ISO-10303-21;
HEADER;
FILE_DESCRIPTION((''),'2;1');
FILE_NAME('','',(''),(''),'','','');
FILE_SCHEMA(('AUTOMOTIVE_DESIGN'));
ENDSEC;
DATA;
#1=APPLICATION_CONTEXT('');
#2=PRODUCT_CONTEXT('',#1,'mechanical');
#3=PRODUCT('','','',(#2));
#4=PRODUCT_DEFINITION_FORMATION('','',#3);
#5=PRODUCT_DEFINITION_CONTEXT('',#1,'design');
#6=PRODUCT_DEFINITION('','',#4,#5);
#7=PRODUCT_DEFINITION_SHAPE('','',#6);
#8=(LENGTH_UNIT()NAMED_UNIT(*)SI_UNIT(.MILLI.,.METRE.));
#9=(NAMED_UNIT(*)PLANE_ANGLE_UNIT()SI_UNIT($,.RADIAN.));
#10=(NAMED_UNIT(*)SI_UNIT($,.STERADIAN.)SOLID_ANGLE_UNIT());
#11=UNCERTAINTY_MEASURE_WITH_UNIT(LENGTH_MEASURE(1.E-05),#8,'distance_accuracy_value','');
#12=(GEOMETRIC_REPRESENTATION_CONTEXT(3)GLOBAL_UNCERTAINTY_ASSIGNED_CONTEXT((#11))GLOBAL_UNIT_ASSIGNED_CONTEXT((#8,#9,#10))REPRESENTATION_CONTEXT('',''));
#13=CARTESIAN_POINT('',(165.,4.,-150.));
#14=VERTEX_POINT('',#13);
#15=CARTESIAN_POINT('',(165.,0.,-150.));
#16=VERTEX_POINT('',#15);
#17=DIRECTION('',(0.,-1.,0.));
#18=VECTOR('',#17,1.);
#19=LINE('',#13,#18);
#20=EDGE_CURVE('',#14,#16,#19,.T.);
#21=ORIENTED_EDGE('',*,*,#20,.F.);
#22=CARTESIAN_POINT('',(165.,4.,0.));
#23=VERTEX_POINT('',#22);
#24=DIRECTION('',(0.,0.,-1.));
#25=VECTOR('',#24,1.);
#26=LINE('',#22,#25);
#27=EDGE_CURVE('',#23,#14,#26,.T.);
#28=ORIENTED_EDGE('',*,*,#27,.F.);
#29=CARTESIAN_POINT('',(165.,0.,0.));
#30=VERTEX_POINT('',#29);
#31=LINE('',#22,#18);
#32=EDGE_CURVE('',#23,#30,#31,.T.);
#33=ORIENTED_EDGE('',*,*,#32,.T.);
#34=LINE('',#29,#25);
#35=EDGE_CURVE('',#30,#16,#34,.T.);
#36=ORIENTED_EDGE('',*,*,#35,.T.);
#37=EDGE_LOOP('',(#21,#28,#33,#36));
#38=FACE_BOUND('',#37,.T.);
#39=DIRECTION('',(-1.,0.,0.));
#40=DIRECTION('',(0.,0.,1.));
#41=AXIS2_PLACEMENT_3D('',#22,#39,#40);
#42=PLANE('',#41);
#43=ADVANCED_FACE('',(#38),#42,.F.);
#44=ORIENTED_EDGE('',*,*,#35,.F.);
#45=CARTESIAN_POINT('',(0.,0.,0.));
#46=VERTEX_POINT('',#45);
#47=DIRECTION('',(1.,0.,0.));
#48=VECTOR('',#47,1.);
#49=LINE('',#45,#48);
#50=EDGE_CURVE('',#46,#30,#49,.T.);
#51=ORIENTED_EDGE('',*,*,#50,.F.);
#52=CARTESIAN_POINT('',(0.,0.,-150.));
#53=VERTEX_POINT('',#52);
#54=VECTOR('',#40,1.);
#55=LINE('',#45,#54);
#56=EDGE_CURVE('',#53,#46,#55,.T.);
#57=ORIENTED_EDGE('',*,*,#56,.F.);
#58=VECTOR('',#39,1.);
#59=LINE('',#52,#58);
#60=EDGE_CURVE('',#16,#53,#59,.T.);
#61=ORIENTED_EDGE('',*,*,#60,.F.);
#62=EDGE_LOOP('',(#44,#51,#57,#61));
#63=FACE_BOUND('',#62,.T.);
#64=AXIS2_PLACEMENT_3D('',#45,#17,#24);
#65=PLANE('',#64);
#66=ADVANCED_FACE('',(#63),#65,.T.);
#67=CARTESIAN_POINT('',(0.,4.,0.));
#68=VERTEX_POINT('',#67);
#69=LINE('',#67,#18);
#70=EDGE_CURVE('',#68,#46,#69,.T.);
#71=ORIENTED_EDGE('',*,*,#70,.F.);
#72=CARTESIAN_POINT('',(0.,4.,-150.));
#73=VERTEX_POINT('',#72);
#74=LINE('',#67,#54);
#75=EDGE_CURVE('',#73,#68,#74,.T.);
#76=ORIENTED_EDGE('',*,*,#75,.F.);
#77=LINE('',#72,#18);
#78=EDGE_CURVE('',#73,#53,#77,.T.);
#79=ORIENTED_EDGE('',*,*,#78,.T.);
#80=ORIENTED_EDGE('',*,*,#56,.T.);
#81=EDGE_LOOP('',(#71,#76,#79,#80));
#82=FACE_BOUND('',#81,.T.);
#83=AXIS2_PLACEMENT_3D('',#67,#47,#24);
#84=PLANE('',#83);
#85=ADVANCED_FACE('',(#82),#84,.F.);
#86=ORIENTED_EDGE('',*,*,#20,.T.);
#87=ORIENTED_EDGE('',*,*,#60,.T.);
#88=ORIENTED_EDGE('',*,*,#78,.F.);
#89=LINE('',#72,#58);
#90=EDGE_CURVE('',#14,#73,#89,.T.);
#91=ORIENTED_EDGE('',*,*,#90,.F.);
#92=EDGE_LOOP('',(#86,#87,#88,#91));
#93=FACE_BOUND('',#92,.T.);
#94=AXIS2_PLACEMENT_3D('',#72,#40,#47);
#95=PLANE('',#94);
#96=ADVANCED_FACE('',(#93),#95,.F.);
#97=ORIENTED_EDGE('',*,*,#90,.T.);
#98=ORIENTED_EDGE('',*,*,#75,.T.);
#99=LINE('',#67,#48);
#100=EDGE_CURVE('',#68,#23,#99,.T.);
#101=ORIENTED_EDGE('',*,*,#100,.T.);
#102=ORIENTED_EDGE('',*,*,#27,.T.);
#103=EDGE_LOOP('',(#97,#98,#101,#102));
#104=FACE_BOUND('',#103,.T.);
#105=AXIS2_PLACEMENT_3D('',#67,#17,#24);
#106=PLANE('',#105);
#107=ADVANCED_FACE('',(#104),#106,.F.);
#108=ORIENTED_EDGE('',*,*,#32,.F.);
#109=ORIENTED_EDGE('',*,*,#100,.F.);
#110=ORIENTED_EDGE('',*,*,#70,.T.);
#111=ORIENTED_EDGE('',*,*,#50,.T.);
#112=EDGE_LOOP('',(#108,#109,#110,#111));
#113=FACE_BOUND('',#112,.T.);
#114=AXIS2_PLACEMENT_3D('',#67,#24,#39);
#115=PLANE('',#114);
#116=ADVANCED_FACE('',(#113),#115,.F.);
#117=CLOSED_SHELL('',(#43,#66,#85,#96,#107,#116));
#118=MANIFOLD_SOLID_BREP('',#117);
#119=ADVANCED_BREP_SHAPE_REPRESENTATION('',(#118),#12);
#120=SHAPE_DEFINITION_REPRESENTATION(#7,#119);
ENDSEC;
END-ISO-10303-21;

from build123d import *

# Parameters (mm, degrees)
SKETCH1_W           = 165
SKETCH1_H           = 150
BOSS_EXTRUDE1_DEPTH = 4


with BuildPart() as part:
    # Sketch1 → Boss-Extrude1 (new body)
    with BuildSketch(Plane(origin=(0, 0, 0), x_dir=(1, 0, 0), z_dir=(0, 1, 0))):
        with Locations((82.5, 75)):
            Rectangle(SKETCH1_W, SKETCH1_H)
    extrude(amount=BOSS_EXTRUDE1_DEPTH)


solid = part.part
